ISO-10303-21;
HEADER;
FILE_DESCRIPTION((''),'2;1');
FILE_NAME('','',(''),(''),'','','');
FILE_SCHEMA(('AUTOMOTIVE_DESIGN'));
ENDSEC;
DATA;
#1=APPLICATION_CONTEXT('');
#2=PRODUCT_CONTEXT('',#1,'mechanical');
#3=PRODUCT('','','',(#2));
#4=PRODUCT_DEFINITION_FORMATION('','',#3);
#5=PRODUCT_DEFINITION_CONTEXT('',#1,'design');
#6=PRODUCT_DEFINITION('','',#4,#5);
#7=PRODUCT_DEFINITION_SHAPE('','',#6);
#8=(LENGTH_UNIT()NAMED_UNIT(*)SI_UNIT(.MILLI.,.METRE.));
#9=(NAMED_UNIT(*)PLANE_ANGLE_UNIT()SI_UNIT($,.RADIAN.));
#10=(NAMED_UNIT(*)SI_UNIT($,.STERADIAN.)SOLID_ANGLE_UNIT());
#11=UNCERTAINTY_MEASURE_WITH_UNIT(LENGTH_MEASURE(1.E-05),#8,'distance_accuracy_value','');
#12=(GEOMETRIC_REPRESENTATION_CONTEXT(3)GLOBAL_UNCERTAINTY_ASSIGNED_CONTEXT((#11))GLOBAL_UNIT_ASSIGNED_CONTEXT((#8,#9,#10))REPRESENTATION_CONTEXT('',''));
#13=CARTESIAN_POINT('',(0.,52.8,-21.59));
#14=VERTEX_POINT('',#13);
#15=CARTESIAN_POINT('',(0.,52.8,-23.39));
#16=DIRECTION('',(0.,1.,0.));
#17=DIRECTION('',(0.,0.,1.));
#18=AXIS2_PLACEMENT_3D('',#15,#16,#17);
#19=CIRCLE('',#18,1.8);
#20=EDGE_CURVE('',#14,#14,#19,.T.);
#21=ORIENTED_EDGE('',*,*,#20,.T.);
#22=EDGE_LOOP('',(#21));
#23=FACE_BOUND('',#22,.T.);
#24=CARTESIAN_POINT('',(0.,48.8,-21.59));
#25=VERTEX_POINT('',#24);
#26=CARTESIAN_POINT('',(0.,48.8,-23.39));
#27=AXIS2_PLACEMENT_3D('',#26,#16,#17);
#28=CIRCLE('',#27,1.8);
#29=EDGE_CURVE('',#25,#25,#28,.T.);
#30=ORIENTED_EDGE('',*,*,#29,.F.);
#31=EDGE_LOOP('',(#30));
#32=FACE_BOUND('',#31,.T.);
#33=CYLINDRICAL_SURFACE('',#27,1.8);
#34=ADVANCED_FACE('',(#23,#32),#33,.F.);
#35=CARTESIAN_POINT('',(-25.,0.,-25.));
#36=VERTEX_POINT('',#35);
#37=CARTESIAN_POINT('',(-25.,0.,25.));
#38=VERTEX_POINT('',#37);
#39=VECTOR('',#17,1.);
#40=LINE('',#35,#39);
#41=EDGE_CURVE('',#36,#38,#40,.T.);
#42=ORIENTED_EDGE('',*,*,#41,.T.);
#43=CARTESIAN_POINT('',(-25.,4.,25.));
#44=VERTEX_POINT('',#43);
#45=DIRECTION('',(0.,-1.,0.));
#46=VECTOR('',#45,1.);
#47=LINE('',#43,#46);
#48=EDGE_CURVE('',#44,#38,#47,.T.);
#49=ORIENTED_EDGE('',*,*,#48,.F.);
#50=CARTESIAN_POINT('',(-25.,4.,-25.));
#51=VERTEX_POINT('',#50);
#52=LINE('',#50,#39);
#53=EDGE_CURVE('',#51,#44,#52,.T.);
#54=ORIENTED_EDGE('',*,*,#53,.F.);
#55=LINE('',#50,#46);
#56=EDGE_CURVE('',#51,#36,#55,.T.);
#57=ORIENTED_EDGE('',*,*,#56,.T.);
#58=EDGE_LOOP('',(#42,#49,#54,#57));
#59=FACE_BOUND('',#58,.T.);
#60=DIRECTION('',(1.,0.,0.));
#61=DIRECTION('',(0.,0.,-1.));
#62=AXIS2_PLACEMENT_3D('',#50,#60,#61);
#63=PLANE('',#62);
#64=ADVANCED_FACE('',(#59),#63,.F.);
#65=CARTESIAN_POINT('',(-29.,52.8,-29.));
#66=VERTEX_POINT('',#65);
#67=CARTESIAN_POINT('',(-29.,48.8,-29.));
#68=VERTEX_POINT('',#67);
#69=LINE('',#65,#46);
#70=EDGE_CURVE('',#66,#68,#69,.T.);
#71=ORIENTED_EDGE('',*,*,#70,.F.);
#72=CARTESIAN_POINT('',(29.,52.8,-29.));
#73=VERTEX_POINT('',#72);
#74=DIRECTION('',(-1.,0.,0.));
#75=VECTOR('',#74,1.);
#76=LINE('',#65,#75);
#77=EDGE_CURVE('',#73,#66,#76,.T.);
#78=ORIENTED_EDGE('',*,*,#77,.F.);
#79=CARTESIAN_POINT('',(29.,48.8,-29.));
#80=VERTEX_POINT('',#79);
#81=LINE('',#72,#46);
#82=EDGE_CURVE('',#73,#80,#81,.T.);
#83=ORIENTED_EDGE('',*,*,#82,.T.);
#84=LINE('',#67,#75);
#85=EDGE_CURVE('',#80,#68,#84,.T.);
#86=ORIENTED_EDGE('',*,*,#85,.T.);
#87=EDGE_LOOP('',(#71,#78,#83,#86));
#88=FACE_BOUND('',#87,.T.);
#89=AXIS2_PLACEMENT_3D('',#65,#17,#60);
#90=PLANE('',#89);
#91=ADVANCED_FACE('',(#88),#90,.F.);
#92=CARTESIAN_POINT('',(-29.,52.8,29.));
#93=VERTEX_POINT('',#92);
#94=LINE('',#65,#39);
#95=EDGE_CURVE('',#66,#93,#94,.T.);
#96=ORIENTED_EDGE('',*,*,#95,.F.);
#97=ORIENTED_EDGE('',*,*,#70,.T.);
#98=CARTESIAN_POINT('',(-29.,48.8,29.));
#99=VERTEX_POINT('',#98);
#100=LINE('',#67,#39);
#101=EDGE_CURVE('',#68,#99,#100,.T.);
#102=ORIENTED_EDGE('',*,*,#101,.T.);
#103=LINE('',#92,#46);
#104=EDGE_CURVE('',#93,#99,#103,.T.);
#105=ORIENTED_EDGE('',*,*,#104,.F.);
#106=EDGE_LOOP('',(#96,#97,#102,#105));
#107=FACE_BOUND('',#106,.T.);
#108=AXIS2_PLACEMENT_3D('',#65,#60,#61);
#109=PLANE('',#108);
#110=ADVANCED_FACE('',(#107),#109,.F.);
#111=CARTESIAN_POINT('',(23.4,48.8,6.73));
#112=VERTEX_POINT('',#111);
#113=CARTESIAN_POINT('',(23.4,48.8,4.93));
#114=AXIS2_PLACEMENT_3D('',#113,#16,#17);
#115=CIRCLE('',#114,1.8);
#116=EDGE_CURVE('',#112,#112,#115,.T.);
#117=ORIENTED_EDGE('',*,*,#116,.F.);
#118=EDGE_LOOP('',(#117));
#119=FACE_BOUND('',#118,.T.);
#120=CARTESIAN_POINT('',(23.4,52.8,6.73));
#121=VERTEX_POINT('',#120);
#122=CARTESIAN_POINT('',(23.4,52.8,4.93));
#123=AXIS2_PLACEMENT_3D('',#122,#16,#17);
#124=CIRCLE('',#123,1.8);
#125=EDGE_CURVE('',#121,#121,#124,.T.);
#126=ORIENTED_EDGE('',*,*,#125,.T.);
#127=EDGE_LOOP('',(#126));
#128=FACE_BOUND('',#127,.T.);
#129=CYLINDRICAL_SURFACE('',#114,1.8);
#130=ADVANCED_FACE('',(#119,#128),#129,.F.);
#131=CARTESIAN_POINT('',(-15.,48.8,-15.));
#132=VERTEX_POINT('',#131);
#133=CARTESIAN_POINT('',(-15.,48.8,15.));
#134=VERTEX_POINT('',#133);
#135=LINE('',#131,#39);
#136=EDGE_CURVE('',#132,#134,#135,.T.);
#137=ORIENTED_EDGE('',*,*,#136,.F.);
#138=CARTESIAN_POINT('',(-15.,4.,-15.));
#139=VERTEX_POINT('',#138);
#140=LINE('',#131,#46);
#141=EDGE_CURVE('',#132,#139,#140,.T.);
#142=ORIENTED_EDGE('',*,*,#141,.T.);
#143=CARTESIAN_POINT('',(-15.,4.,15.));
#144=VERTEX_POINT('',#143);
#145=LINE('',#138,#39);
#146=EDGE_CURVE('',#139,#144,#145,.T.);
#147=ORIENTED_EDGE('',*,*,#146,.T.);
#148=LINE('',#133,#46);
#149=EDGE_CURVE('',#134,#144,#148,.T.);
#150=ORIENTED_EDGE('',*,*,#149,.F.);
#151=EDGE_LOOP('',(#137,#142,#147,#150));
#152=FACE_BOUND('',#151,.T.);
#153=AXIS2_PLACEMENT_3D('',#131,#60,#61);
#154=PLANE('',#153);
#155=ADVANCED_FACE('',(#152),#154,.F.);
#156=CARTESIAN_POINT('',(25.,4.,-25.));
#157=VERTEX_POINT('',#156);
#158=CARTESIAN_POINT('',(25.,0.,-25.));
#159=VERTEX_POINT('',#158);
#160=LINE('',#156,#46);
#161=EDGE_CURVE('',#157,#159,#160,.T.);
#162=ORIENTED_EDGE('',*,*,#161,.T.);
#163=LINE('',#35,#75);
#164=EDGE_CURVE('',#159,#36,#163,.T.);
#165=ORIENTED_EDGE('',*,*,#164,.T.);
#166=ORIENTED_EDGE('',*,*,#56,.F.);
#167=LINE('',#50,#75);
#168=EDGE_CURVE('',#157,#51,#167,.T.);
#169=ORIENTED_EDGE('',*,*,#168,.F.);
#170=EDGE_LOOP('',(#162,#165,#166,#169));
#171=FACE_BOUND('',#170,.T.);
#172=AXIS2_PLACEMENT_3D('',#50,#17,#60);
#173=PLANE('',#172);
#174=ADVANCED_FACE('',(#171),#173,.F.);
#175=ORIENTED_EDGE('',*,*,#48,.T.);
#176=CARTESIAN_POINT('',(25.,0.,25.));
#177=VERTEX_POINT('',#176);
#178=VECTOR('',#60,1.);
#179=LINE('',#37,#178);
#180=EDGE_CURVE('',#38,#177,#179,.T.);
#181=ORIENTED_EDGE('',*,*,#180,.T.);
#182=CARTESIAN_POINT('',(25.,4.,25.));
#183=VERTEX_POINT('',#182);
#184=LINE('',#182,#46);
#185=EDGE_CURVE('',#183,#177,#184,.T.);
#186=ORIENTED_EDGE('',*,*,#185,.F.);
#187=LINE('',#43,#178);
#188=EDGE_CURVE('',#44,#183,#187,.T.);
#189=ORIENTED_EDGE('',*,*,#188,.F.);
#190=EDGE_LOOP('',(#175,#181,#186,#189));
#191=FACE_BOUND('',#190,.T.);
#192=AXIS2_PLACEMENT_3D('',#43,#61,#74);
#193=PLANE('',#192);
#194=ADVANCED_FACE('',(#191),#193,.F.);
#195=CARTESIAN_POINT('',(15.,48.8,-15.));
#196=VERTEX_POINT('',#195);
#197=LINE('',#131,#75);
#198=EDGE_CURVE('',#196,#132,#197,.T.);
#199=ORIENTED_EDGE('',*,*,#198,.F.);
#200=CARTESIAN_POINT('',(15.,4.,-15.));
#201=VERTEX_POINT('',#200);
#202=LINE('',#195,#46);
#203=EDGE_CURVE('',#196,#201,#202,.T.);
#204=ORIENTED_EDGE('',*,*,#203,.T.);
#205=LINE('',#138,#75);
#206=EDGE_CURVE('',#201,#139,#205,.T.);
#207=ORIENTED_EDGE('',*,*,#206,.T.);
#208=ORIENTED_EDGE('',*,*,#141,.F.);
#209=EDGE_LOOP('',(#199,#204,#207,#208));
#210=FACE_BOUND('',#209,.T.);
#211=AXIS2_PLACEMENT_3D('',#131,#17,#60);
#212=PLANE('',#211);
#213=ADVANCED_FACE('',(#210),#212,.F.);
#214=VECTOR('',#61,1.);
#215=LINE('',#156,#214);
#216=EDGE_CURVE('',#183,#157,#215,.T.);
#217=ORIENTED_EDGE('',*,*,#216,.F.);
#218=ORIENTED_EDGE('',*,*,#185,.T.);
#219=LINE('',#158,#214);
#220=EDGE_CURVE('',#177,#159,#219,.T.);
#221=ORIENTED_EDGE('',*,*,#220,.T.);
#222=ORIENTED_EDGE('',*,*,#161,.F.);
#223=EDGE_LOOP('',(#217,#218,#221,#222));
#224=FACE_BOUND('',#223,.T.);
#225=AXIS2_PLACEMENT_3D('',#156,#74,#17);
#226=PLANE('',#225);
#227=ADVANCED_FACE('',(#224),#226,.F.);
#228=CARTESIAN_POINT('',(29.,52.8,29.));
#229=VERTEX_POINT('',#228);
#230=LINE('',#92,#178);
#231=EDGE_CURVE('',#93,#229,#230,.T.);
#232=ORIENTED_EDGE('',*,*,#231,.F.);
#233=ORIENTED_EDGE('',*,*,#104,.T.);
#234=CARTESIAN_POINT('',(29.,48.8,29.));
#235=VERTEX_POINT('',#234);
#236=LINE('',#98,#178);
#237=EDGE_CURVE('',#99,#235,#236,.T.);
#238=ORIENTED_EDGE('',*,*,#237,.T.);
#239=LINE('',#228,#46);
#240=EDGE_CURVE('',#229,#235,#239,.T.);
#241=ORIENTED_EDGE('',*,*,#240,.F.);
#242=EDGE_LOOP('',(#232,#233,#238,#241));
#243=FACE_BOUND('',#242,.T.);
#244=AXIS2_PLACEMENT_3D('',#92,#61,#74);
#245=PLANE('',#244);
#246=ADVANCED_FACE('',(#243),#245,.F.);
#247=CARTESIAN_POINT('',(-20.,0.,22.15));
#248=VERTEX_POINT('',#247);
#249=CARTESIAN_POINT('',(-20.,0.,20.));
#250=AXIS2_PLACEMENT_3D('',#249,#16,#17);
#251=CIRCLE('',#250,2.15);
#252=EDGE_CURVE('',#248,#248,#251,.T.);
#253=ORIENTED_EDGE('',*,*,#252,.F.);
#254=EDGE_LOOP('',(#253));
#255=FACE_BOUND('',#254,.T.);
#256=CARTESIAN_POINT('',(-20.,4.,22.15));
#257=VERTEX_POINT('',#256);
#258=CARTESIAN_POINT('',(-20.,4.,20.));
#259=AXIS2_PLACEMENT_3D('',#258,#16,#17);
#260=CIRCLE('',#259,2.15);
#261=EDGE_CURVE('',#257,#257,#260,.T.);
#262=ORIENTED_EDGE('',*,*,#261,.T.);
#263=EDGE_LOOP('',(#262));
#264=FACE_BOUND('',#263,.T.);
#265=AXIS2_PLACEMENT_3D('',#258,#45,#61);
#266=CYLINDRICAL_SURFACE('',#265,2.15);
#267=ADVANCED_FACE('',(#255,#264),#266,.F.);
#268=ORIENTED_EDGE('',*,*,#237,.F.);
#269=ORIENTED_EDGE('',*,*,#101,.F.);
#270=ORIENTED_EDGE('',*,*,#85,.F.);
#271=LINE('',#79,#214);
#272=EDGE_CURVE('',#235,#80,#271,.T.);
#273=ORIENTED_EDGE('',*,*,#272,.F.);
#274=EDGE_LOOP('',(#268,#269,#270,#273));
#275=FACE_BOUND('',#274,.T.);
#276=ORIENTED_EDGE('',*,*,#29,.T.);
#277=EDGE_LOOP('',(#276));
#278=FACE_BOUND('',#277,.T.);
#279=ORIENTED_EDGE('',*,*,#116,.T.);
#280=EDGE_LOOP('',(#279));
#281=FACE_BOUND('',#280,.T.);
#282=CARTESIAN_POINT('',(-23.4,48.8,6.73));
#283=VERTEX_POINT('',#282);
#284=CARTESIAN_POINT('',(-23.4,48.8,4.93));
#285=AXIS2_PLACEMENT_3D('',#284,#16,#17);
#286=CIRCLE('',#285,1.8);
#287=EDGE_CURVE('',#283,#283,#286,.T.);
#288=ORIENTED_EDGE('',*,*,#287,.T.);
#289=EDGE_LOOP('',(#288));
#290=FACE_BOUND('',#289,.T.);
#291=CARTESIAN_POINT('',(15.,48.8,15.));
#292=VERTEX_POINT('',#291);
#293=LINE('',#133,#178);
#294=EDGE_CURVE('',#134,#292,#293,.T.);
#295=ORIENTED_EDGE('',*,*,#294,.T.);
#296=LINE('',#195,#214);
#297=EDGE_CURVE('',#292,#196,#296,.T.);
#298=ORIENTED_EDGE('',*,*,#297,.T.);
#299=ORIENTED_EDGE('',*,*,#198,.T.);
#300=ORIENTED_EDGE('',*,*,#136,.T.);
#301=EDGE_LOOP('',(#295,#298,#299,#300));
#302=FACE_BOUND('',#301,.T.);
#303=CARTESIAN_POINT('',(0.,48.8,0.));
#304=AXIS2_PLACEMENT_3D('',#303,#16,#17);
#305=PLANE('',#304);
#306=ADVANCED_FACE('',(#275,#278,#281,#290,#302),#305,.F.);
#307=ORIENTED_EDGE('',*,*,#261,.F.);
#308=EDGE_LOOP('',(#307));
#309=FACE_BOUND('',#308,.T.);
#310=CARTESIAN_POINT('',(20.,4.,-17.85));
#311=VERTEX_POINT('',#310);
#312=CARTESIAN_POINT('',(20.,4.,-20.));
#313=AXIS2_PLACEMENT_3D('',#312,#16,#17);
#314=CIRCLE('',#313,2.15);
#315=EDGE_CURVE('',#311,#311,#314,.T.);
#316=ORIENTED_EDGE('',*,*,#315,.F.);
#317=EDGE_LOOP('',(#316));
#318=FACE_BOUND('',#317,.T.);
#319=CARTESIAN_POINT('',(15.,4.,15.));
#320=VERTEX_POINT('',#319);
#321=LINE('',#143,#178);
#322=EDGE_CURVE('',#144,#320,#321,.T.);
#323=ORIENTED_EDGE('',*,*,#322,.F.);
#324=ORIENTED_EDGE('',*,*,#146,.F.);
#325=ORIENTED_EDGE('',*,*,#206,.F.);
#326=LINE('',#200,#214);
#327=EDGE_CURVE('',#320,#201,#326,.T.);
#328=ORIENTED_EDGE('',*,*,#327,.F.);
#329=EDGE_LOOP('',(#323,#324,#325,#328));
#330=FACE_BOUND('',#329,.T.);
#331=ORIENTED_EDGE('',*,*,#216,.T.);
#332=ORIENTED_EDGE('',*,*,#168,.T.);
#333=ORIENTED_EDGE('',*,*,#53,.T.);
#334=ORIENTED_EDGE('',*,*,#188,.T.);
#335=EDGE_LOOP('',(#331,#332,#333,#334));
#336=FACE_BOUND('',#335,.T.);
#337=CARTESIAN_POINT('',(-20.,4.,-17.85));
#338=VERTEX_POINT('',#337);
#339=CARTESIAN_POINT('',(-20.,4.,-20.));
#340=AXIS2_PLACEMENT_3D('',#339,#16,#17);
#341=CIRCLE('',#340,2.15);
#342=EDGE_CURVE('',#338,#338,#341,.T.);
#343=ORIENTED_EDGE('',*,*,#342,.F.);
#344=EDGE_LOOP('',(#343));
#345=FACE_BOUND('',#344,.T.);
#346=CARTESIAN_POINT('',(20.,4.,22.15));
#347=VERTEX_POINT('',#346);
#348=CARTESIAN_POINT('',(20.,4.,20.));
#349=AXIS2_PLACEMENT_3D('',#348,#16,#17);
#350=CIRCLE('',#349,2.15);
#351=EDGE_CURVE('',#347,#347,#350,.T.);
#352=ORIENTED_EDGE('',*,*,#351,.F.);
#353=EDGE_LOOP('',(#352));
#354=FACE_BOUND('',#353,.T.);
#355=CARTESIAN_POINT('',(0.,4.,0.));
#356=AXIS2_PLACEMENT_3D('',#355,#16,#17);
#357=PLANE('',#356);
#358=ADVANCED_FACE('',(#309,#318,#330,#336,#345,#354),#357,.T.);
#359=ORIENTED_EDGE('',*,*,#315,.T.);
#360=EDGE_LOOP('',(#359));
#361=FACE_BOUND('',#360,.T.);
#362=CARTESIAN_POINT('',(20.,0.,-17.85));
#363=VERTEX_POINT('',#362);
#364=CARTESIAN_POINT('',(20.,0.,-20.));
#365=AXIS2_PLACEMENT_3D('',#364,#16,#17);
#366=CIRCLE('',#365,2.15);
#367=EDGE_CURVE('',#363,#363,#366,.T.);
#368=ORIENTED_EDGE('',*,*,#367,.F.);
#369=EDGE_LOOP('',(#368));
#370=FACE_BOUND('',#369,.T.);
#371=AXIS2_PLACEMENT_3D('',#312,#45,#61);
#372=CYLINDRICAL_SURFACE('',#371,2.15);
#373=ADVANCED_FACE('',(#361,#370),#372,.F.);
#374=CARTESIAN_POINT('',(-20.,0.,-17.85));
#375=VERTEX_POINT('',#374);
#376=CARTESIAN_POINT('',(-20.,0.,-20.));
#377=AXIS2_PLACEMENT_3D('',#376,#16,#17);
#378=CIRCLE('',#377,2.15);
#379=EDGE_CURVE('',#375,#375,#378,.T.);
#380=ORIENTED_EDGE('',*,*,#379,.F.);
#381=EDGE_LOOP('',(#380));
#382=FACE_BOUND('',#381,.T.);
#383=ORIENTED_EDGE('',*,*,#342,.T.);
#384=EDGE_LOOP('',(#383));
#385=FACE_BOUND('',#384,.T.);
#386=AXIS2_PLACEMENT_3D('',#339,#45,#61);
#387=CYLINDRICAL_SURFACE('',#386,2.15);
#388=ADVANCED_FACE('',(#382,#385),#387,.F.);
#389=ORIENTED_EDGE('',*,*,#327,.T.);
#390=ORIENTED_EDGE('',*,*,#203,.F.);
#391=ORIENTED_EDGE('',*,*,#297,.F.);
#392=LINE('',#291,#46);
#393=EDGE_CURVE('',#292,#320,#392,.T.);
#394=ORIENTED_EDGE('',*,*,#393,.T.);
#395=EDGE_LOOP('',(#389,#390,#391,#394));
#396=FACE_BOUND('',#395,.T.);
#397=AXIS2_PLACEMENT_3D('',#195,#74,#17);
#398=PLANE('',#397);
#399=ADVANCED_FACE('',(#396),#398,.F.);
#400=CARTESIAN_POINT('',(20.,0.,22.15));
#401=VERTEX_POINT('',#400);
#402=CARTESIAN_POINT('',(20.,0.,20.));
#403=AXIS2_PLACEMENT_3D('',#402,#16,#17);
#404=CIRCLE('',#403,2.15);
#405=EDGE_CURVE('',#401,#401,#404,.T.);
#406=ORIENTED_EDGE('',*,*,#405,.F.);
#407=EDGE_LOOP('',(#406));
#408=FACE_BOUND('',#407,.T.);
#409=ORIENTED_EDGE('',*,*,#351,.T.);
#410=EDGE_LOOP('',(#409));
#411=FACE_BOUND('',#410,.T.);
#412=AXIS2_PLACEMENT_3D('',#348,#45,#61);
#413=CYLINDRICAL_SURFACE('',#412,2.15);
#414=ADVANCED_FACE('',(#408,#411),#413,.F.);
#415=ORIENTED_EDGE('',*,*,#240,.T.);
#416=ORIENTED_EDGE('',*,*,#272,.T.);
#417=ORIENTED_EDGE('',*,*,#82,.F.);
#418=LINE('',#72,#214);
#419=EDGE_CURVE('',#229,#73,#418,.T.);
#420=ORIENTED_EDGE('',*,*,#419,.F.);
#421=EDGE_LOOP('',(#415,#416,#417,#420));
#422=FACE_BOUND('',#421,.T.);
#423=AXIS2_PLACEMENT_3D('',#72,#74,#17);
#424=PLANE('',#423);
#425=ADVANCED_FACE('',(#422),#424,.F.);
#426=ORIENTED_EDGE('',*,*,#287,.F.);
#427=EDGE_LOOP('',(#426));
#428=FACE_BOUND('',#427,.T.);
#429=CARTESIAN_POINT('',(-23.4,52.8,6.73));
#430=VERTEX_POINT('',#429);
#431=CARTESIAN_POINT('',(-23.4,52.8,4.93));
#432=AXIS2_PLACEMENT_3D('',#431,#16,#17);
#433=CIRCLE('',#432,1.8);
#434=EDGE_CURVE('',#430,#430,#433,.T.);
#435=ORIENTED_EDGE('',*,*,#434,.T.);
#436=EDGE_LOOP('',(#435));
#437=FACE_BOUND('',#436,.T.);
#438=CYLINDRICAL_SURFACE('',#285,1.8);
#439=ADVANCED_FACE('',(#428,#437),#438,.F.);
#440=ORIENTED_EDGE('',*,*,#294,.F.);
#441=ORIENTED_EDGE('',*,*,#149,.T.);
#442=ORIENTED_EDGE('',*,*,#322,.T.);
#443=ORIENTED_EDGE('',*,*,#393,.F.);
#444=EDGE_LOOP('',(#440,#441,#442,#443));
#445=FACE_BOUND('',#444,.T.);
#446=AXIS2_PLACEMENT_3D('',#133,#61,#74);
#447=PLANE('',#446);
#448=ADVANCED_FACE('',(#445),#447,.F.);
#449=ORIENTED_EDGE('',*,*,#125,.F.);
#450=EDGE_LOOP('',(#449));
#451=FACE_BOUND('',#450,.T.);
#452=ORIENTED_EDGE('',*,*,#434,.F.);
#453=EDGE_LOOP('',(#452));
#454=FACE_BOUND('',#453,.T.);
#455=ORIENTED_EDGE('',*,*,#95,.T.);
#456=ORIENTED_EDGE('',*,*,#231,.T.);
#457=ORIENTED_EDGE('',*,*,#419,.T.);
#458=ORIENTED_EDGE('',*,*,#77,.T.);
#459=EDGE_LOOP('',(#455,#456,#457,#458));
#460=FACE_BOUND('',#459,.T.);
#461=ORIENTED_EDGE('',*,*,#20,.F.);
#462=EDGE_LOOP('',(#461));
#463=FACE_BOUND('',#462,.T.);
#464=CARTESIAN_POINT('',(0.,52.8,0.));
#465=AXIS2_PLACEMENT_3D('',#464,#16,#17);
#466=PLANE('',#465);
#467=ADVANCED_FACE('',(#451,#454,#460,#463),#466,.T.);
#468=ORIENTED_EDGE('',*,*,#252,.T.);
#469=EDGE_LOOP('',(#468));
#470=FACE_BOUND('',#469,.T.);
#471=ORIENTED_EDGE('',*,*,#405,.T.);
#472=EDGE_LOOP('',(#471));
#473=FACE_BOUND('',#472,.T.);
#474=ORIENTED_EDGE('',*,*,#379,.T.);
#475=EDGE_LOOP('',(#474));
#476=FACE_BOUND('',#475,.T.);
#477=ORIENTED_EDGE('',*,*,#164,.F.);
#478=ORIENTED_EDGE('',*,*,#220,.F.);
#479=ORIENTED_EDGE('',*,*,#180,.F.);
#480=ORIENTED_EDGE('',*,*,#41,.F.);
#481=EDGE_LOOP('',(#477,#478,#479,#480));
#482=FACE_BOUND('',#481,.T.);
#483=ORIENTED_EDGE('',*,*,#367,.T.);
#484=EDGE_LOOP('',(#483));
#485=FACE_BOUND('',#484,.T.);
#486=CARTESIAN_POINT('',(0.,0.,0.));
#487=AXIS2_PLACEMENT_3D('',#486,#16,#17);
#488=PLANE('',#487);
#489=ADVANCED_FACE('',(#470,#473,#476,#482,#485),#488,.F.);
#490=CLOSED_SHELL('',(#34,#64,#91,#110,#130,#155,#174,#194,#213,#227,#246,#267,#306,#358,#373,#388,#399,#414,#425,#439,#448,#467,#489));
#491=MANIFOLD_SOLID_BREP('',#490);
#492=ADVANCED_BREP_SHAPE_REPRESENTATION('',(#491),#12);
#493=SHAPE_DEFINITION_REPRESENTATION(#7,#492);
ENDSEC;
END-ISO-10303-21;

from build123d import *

# Parameters (mm, degrees)
SK_BASE_W             = 50
SK_BASE_H             = 50
EX_BASE_DEPTH         = 4
SK_DECKHOLES_R        = 2.15
CUT_DECKHOLES_DEPTH   = 4
SK_COLUMN_W           = 30
SK_COLUMN_H           = 30
EX_COLUMN_DEPTH       = 44.8
SK_TOP_W              = 58
SK_TOP_H              = 58
EX_TOP_DEPTH          = 4
SK_INSERTS_M25_R      = 1.8
CUT_INSERTS_M25_DEPTH = 4


with BuildPart() as part:
    # SK_Base → EX_Base (new body)
    with BuildSketch(Plane(origin=(0, 0, 0), x_dir=(1, 0, 0), z_dir=(0, 1, 0))):
        Rectangle(SK_BASE_W, SK_BASE_H)
    extrude(amount=EX_BASE_DEPTH)

    # SK_DeckHoles → CUT_DeckHoles (cut)
    with BuildSketch(Plane(origin=(0, 0, 0), x_dir=(1, 0, 0), z_dir=(0, 1, 0))):
        with Locations((20, -20)):
            Circle(SK_DECKHOLES_R)
        with Locations((-20, -20)):
            Circle(SK_DECKHOLES_R)
        with Locations((20, 20)):
            Circle(SK_DECKHOLES_R)
        with Locations((-20, 20)):
            Circle(SK_DECKHOLES_R)
    extrude(amount=CUT_DECKHOLES_DEPTH, mode=Mode.SUBTRACT)

    # SK_Column → EX_Column (add)
    with BuildSketch(Plane(origin=(0, 4, 0), x_dir=(1, 0, 0), z_dir=(0, 1, 0))):
        Rectangle(SK_COLUMN_W, SK_COLUMN_H)
    extrude(amount=EX_COLUMN_DEPTH)

    # SK_Top → EX_Top (add)
    with BuildSketch(Plane(origin=(0, 48.8, 0), x_dir=(1, 0, 0), z_dir=(0, 1, 0))):
        Rectangle(SK_TOP_W, SK_TOP_H)
    extrude(amount=EX_TOP_DEPTH)

    # SK_Inserts_M25 → CUT_Inserts_M25 (cut)
    with BuildSketch(Plane(origin=(0, 52.8, 0), x_dir=(1, 0, 0), z_dir=(0, 1, 0))):
        with Locations((23.4, -4.93)):
            Circle(SK_INSERTS_M25_R)
        with Locations((-23.4, -4.93)):
            Circle(SK_INSERTS_M25_R)
        with Locations((0, 23.39)):
            Circle(SK_INSERTS_M25_R)
    extrude(amount=-CUT_INSERTS_M25_DEPTH, mode=Mode.SUBTRACT)


solid = part.part
